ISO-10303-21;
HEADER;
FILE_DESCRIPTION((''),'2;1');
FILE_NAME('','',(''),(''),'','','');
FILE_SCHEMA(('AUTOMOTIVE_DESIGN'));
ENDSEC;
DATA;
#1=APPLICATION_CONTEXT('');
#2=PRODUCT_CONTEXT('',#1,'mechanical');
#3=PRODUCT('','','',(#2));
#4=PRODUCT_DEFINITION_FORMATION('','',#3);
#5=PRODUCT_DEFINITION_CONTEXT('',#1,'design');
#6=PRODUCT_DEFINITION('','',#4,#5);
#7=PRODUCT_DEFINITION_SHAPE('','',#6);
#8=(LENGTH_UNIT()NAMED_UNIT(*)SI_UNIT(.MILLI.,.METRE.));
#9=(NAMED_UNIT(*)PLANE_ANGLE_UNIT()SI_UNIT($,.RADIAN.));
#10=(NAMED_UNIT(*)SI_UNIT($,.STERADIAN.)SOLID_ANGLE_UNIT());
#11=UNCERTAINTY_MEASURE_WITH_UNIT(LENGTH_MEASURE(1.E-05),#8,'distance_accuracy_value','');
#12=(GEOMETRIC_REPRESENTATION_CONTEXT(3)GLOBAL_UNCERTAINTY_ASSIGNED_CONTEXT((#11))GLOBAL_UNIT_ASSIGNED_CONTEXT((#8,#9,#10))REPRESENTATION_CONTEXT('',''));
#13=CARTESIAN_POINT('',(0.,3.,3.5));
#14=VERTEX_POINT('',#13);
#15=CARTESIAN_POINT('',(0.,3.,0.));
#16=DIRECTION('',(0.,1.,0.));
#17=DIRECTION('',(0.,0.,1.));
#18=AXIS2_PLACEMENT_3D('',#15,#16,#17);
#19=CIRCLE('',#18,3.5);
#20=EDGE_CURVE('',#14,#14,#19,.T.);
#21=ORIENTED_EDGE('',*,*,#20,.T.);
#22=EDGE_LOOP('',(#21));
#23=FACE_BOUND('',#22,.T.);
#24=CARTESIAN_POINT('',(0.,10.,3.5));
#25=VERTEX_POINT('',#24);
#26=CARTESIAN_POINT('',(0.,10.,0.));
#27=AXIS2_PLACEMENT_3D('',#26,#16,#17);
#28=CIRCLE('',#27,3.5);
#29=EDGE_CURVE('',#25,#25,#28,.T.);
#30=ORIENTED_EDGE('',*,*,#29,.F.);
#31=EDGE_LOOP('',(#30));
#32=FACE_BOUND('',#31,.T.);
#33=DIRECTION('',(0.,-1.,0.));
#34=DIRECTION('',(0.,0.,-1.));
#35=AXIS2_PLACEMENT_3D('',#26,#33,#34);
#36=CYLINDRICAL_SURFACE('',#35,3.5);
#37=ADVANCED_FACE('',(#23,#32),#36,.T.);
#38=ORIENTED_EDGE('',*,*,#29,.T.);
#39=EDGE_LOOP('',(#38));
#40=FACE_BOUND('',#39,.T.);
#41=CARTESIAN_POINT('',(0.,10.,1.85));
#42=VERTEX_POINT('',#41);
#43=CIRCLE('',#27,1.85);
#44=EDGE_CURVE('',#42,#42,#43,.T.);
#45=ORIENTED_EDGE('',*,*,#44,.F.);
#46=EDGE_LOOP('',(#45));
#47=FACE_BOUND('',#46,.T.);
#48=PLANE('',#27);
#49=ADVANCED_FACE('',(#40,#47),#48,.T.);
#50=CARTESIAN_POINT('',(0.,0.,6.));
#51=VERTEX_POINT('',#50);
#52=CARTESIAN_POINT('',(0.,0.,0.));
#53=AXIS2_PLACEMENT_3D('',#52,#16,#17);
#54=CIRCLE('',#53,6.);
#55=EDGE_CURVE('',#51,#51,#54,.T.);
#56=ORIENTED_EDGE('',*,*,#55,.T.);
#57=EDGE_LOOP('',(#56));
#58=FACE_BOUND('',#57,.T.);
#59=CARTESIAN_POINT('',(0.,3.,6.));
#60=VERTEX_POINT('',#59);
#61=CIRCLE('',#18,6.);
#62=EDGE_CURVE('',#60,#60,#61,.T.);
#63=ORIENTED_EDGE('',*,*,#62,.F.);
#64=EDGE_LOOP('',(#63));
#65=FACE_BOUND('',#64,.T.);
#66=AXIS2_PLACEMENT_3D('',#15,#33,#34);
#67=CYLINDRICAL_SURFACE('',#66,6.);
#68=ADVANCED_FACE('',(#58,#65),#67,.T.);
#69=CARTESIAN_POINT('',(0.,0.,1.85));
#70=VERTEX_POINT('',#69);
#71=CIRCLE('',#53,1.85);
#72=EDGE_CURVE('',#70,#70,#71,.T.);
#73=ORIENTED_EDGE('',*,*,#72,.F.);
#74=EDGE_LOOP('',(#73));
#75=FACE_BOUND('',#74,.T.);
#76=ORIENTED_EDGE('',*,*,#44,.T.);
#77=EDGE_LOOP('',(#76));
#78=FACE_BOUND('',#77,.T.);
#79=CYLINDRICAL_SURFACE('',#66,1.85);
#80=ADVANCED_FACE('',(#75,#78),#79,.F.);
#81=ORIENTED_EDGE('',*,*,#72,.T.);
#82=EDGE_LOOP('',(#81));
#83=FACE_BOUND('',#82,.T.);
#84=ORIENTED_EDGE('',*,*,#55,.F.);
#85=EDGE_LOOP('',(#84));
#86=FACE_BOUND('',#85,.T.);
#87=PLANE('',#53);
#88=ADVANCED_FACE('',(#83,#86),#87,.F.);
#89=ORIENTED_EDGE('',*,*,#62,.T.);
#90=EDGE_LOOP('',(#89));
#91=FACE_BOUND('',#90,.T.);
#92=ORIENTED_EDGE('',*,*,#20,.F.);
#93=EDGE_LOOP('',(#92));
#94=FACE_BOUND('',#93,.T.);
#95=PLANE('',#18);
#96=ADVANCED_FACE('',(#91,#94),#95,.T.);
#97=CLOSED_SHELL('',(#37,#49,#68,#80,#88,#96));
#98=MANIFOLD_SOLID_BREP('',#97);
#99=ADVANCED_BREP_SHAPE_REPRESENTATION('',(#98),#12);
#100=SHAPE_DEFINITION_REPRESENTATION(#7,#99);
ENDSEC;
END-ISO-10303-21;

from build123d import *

# Parameters (mm, degrees)
SKETCH_1_R      = 6
SKETCH_1_R_2    = 1.85
EXTRUDE_1_DEPTH = 3
SKETCH_2_R      = 3.5
SKETCH_2_R_2    = 1.85
EXTRUDE_2_DEPTH = 7


with BuildPart() as part:
    # 草图1 → 凸台-拉伸1 (new body)
    with BuildSketch(Plane(origin=(0, 0, 0), x_dir=(1, 0, 0), z_dir=(0, 1, 0))):
        with Locations(Location((0, 0, 0), (0, 0, 270))):
            Circle(SKETCH_1_R)
        with Locations(Location((0, 0, 0), (0, 0, 270))):
            Circle(SKETCH_1_R_2, mode=Mode.SUBTRACT)
    extrude(amount=EXTRUDE_1_DEPTH)

    # 草图2 → 凸台-拉伸2 (add)
    with BuildSketch(Plane(origin=(0, 3, 0), x_dir=(1, 0, 0), z_dir=(0, 1, 0))):
        with Locations(Location((0, 0, 0), (0, 0, 270))):
            Circle(SKETCH_2_R)
        with Locations(Location((0, 0, 0), (0, 0, 270))):
            Circle(SKETCH_2_R_2, mode=Mode.SUBTRACT)
    extrude(amount=EXTRUDE_2_DEPTH)


solid = part.part
